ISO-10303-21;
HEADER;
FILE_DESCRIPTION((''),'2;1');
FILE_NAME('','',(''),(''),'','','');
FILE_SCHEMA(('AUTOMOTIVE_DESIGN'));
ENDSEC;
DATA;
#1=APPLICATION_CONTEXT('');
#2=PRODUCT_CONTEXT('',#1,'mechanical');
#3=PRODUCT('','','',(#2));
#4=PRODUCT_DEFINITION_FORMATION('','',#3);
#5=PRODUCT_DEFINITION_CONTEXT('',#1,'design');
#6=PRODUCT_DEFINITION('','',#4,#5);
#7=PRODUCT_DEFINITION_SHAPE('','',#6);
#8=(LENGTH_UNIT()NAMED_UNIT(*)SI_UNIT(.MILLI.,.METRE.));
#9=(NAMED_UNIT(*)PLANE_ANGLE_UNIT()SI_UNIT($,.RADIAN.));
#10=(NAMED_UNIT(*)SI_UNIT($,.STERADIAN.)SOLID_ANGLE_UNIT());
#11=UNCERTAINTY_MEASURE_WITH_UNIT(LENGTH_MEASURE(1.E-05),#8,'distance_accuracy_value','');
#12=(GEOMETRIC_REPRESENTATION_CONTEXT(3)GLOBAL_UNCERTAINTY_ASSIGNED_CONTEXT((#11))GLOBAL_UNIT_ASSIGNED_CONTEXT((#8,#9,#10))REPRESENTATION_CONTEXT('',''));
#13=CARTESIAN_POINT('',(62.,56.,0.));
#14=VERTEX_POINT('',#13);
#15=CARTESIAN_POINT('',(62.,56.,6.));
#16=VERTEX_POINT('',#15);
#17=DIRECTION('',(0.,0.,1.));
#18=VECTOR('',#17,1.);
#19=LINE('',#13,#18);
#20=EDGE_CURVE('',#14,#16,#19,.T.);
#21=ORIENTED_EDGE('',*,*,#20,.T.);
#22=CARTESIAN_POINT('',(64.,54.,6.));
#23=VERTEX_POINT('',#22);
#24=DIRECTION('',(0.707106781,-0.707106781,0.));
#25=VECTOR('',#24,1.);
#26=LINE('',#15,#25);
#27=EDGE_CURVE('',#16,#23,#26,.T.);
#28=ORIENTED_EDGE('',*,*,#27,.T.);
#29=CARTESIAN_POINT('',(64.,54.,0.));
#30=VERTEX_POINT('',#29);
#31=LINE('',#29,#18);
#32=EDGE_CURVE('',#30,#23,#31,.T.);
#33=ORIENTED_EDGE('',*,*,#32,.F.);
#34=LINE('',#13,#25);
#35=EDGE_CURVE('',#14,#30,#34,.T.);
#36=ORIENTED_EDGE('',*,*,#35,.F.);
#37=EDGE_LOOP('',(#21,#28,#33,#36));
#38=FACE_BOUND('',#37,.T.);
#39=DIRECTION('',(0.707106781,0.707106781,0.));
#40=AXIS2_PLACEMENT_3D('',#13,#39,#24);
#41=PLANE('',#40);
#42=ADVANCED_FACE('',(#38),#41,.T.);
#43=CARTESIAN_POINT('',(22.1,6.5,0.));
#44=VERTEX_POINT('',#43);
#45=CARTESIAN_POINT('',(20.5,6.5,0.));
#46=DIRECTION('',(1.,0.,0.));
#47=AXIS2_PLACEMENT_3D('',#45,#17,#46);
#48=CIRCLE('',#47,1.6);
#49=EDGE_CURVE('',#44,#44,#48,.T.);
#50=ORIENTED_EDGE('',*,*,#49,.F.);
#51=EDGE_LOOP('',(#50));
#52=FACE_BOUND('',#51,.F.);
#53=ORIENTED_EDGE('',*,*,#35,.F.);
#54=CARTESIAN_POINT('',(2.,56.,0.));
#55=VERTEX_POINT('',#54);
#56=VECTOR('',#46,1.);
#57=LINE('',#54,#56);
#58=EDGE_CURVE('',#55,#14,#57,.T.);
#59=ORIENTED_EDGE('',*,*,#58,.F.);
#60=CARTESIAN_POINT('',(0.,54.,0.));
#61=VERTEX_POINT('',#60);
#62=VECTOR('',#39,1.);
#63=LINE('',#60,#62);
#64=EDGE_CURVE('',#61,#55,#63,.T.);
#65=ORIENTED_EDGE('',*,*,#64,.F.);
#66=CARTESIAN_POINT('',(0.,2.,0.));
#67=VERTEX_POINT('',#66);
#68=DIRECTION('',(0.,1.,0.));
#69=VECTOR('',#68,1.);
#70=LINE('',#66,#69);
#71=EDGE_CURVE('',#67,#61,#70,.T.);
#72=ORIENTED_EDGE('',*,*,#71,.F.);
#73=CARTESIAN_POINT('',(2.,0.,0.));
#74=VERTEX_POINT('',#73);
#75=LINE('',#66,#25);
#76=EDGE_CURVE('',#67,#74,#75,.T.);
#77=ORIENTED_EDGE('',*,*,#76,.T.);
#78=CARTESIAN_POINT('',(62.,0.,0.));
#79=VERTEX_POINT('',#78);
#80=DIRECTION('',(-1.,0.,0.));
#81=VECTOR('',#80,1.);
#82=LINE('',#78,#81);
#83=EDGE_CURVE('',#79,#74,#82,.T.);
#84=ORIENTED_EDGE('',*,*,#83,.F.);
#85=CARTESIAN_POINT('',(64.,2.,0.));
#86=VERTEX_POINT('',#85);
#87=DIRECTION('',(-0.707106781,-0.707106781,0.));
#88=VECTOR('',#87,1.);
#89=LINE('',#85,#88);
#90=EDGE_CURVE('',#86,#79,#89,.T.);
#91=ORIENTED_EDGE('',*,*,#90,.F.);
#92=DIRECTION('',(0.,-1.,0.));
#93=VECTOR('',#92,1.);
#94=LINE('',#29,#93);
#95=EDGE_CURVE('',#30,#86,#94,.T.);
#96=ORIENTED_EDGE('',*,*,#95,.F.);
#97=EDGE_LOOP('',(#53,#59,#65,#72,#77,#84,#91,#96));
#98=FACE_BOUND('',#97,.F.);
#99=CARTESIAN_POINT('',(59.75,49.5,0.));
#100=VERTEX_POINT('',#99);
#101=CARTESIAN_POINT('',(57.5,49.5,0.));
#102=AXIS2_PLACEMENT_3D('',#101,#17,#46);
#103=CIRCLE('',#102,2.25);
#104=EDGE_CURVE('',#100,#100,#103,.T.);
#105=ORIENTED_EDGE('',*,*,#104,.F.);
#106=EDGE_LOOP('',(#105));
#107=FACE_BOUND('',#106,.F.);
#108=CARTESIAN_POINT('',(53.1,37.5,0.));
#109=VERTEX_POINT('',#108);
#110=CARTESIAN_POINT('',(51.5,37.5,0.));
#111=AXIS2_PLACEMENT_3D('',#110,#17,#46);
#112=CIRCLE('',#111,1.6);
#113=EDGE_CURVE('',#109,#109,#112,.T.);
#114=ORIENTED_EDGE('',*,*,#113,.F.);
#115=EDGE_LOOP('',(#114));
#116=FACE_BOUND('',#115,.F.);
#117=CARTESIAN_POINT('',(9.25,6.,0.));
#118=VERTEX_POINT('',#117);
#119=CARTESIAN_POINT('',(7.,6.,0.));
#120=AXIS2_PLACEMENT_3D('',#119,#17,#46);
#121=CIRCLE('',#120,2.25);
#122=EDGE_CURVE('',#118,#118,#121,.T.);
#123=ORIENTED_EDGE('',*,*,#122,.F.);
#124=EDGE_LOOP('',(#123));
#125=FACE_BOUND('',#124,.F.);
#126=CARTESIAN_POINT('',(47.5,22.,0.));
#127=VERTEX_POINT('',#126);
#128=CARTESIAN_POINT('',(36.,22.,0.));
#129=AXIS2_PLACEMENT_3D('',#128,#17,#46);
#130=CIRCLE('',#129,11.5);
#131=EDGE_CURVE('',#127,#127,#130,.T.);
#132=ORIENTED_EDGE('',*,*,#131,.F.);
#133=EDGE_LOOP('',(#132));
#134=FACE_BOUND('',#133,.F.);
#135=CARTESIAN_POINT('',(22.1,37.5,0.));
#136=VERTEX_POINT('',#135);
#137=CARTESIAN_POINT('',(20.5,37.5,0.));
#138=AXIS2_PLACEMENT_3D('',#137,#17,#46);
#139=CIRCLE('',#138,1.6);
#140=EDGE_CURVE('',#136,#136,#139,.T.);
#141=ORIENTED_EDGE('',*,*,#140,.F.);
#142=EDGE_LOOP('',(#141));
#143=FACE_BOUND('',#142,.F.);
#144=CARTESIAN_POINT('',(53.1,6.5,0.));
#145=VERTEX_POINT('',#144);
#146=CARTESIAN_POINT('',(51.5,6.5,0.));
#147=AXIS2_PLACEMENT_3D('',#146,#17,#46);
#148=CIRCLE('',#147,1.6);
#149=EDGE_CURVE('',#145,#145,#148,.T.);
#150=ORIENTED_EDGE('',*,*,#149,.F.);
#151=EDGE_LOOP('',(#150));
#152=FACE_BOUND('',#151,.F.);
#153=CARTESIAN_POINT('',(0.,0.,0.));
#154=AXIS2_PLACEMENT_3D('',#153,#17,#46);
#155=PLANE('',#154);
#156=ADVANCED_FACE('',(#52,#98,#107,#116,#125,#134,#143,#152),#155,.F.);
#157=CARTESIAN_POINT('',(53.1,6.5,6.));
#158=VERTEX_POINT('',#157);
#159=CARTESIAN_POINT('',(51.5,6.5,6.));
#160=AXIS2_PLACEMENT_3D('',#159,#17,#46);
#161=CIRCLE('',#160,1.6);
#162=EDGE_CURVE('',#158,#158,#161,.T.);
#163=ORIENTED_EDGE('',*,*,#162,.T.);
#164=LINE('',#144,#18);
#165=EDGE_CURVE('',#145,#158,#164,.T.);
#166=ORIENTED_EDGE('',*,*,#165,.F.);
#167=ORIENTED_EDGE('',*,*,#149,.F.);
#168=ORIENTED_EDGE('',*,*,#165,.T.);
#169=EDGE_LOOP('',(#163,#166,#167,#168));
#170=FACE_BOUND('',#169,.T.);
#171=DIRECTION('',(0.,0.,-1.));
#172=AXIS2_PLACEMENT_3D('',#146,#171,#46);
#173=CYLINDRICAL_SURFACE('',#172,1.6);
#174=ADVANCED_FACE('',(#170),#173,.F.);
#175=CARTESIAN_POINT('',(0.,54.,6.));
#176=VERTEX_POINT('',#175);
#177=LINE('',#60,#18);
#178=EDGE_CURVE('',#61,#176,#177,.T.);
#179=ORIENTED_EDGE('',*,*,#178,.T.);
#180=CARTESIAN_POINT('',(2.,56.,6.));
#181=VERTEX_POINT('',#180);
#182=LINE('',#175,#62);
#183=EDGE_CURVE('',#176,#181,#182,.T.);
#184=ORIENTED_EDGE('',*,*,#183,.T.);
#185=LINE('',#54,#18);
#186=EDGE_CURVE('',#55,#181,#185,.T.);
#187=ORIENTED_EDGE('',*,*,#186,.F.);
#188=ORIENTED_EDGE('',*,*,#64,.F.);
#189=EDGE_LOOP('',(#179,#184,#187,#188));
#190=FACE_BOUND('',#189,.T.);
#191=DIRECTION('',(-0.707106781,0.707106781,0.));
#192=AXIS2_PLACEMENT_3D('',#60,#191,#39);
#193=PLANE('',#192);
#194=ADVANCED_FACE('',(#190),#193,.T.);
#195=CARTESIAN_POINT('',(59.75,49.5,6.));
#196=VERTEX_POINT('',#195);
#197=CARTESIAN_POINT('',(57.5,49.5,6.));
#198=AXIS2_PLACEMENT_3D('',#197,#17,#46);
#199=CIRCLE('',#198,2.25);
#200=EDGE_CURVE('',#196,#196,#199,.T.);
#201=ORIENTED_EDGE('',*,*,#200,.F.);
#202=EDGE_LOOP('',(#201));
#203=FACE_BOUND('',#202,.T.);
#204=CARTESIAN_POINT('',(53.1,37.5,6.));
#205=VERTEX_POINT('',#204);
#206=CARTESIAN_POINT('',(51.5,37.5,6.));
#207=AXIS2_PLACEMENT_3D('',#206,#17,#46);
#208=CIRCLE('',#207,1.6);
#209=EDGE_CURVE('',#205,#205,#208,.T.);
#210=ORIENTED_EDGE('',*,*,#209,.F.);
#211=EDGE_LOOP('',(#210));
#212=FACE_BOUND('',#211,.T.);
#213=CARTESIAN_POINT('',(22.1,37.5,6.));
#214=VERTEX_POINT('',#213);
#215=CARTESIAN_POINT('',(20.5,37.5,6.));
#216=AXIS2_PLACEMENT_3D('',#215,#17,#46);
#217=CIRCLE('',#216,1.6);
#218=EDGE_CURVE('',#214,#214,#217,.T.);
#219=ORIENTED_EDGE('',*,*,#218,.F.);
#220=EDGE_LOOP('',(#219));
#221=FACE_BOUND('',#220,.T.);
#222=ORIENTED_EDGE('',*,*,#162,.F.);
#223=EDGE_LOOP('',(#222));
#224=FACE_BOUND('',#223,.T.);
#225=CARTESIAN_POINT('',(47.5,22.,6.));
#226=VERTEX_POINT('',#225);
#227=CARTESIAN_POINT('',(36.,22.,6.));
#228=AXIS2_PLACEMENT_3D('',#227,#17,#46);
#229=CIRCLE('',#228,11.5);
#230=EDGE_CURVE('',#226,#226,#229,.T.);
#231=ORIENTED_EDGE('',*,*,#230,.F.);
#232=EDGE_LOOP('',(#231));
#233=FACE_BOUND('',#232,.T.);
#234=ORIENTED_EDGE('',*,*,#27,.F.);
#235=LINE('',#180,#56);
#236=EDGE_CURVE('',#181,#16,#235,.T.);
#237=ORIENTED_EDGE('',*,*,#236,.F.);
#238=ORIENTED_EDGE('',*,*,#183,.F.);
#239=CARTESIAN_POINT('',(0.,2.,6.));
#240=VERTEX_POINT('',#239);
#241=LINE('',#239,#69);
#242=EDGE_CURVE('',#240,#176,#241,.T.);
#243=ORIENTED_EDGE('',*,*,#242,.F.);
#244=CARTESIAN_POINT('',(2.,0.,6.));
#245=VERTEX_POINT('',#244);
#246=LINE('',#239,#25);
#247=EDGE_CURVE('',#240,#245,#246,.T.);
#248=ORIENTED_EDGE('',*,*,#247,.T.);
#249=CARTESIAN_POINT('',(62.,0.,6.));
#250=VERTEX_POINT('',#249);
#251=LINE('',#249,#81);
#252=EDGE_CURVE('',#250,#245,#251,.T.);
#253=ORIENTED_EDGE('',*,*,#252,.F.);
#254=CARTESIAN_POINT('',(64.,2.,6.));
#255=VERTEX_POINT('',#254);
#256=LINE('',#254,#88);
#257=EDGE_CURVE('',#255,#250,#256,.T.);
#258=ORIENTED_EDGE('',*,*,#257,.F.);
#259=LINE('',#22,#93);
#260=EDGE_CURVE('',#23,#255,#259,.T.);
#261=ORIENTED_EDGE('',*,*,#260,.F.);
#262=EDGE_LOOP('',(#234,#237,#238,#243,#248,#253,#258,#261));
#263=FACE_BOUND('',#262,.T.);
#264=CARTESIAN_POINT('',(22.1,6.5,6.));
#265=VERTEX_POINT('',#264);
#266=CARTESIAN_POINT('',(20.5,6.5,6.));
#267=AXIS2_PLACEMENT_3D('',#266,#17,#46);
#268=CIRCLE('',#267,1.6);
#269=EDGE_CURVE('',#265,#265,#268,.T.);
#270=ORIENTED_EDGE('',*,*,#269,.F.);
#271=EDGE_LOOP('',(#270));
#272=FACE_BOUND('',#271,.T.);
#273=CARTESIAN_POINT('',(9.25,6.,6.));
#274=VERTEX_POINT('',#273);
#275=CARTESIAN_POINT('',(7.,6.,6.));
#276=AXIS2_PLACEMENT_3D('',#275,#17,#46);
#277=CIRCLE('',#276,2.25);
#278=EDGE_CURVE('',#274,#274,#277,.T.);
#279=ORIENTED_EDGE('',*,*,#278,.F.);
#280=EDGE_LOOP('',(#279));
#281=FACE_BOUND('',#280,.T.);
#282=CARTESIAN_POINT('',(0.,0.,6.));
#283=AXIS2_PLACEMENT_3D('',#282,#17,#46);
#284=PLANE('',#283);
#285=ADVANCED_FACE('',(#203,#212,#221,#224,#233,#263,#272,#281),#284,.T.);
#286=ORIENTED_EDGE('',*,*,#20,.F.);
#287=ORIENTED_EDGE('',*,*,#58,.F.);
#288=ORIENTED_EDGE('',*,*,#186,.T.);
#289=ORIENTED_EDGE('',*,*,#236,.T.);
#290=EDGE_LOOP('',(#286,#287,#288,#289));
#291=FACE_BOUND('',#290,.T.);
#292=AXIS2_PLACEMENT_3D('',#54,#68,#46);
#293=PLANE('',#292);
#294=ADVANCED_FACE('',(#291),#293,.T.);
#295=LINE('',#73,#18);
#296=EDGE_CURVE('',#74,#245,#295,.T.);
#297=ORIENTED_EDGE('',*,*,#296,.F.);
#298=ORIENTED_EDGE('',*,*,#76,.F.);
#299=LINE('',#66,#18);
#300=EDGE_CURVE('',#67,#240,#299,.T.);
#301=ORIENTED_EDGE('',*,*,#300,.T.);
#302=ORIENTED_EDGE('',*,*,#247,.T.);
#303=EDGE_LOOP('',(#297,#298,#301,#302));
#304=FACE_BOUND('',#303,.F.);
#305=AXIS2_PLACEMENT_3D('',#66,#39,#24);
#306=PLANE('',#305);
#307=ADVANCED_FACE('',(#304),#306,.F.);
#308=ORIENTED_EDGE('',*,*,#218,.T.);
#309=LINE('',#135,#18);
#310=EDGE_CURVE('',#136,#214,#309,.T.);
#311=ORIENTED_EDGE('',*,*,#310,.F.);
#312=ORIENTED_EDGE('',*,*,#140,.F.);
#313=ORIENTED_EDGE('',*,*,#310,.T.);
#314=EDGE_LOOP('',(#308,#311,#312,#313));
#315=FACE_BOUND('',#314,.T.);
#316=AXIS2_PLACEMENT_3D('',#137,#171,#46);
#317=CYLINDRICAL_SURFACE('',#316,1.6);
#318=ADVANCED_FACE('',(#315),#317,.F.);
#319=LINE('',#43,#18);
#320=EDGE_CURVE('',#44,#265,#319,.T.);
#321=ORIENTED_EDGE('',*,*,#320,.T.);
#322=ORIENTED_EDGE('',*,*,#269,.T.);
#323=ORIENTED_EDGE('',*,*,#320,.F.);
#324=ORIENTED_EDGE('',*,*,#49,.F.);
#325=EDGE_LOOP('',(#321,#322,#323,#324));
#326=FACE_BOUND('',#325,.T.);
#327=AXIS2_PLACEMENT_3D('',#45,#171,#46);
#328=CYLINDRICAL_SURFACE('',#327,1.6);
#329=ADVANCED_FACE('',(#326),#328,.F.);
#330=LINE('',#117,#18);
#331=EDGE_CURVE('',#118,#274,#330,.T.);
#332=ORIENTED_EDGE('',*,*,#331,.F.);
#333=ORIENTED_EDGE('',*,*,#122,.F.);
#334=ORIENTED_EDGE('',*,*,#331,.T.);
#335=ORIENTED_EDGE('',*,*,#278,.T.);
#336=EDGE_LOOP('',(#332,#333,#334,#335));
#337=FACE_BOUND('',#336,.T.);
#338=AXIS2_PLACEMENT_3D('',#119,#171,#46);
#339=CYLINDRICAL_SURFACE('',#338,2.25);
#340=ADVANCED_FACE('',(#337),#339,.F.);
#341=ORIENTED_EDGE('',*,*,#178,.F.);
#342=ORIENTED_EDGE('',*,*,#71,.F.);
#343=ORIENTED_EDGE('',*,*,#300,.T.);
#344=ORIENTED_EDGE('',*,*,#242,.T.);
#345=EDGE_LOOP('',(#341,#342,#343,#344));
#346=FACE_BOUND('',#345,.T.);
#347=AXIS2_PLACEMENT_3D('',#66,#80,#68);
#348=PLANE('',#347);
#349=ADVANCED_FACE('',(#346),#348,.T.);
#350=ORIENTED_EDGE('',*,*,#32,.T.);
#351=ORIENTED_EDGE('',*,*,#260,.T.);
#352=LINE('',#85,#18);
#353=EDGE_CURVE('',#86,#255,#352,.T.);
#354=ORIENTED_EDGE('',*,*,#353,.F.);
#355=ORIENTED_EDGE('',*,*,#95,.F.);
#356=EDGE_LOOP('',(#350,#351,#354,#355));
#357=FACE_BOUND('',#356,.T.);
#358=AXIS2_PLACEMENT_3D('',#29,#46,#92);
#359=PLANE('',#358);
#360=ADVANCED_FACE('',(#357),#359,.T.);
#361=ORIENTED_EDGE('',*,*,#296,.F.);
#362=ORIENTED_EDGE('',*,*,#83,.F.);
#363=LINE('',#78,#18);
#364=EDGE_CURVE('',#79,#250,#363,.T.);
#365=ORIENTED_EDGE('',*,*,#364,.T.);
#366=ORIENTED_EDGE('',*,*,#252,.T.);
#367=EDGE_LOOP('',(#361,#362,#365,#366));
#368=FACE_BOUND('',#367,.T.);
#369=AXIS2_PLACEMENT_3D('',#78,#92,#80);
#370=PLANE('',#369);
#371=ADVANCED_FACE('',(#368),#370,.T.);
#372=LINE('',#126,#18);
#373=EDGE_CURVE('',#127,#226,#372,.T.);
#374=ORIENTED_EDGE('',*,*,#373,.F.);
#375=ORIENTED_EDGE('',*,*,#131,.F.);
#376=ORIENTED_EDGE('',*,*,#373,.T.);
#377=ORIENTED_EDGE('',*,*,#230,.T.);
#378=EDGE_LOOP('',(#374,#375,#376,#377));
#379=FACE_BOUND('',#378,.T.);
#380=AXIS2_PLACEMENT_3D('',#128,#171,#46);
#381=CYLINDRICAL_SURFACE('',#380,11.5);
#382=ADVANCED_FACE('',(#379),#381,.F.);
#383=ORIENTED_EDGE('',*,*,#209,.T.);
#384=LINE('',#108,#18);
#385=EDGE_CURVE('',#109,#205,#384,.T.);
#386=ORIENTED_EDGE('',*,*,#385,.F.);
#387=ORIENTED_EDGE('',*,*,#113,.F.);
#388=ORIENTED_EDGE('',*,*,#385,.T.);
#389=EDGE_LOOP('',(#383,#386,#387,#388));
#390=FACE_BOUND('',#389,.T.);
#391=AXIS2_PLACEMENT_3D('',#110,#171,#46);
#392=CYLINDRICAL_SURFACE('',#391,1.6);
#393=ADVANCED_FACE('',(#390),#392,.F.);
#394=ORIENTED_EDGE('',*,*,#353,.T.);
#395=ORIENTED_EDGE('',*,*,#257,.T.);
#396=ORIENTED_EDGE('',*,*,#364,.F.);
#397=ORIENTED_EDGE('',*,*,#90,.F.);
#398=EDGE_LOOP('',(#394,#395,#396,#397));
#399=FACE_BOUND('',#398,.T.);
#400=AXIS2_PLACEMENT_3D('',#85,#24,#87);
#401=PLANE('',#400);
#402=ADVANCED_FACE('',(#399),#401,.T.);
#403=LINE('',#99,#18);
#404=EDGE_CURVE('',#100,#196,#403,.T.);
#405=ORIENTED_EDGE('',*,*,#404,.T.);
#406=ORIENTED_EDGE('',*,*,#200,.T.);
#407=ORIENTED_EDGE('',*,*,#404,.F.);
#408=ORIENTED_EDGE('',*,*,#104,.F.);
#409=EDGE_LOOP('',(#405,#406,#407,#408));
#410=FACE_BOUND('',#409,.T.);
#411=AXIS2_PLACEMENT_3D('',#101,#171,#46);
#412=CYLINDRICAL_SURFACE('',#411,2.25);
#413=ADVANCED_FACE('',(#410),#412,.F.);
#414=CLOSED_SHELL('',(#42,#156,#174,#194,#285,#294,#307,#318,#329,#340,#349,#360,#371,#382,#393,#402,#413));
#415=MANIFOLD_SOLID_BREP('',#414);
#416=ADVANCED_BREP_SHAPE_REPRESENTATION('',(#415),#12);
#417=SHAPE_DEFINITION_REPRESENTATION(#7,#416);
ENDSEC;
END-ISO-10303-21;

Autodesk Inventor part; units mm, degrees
ref_plane "YZ Plane" through (0, 0, 0) normal (1, 0, 0) x (0, 1, 0)
ref_plane "XZ Plane" through (0, 0, 0) normal (0, 1, 0) x (-1, 0, 0)
ref_plane "XY Plane" through (0, 0, 0) normal (0, 0, 1) x (1, 0, 0)
sketch "Sketch1" plane through (0, 0, 0) normal (0, 0, 1) x (1, 0, 0)
  line L0 (20.5, 37.5) -> (51.5, 37.5) construction
  line L1 (51.5, 37.5) -> (51.5, 6.5) construction
  line L2 (51.5, 6.5) -> (20.5, 6.5) construction
  line L3 (20.5, 6.5) -> (20.5, 37.5) construction
  line L4 (14.62, 43.38) -> (57.38, 43.38) construction
  line L5 (57.38, 43.38) -> (57.38, 0.62) construction
  line L6 (57.38, 0.62) -> (14.62, 0.62) construction
  line L7 (14.62, 0.62) -> (14.62, 43.38) construction
  circle A0 centre (20.5, 6.5) radius 1.6
  circle A1 centre (51.5, 6.5) radius 1.6
  circle A2 centre (51.5, 37.5) radius 1.6
  circle A3 centre (20.5, 37.5) radius 1.6
  circle A4 centre (36, 22) radius 11.5
  circle A5 centre (13, 22) radius 4 construction
  circle A6 centre (7, 6) radius 2.25
  circle A7 centre (57.5, 49.5) radius 2.25
  line L8 (2, 56) -> (62, 56)
  line L9 (64, 54) -> (64, 2)
  line L10 (62, 0) -> (2, 0)
  line L11 (0, 2) -> (0, 54)
  line L12 (0, 2) -> (2, 0)
  line L13 (0, 54) -> (2, 56)
  line L14 (62, 56) -> (64, 54)
  line L15 (64, 2) -> (62, 0)
  circle A8 centre (7, 6) radius 4.5 construction
  circle A9 centre (57.5, 49.5) radius 4.5 construction
  point P0 (0, 0)
  point P1 (36, 37.5)
  point P2 (51.5, 22)
  point P3 (14.62, 22)
  point P4 (36, 43.38)
  point P5 (0, 56)
  point P6 (64, 0)
  point P7 (64, 56)
  point P8 (0, 0)
  dimension "d0" = 31
  dimension "d1" = 42.76
  dimension "d2" = 3.2
  dimension "d3" = 23
  dimension "d4" = 8
  dimension "d5" = 23
  dimension "d6" = 4.5
  dimension "d7" = 2
  dimension "d8" = 2
  dimension "d9" = 2
  dimension "d10" = 2
  dimension "d11" = 2
  dimension "d12" = 2
  dimension "d13" = 2
  dimension "d14" = 2
  dimension "d15" = 22
  dimension "d16" = 9
  dimension "d17" = 6
  dimension "d18" = 6
  dimension "d19" = 6
  dimension "d20" = 12
  dimension "d21" = 28
  dimension "d22" = 36
  dimension "d23" = 34
extrude "Extrusion1" add sketch "Sketch1" along normal blind 6
equation "\"d8\" = d7"
equation "\"d9\" = d7"
equation "\"d10\" = d9"
equation "\"d11\" = d7"
equation "\"d12\" = d11"
equation "\"d13\" = d7"
equation "\"d14\" = d13"
properties part number "z_rod_stopper_bottom"
